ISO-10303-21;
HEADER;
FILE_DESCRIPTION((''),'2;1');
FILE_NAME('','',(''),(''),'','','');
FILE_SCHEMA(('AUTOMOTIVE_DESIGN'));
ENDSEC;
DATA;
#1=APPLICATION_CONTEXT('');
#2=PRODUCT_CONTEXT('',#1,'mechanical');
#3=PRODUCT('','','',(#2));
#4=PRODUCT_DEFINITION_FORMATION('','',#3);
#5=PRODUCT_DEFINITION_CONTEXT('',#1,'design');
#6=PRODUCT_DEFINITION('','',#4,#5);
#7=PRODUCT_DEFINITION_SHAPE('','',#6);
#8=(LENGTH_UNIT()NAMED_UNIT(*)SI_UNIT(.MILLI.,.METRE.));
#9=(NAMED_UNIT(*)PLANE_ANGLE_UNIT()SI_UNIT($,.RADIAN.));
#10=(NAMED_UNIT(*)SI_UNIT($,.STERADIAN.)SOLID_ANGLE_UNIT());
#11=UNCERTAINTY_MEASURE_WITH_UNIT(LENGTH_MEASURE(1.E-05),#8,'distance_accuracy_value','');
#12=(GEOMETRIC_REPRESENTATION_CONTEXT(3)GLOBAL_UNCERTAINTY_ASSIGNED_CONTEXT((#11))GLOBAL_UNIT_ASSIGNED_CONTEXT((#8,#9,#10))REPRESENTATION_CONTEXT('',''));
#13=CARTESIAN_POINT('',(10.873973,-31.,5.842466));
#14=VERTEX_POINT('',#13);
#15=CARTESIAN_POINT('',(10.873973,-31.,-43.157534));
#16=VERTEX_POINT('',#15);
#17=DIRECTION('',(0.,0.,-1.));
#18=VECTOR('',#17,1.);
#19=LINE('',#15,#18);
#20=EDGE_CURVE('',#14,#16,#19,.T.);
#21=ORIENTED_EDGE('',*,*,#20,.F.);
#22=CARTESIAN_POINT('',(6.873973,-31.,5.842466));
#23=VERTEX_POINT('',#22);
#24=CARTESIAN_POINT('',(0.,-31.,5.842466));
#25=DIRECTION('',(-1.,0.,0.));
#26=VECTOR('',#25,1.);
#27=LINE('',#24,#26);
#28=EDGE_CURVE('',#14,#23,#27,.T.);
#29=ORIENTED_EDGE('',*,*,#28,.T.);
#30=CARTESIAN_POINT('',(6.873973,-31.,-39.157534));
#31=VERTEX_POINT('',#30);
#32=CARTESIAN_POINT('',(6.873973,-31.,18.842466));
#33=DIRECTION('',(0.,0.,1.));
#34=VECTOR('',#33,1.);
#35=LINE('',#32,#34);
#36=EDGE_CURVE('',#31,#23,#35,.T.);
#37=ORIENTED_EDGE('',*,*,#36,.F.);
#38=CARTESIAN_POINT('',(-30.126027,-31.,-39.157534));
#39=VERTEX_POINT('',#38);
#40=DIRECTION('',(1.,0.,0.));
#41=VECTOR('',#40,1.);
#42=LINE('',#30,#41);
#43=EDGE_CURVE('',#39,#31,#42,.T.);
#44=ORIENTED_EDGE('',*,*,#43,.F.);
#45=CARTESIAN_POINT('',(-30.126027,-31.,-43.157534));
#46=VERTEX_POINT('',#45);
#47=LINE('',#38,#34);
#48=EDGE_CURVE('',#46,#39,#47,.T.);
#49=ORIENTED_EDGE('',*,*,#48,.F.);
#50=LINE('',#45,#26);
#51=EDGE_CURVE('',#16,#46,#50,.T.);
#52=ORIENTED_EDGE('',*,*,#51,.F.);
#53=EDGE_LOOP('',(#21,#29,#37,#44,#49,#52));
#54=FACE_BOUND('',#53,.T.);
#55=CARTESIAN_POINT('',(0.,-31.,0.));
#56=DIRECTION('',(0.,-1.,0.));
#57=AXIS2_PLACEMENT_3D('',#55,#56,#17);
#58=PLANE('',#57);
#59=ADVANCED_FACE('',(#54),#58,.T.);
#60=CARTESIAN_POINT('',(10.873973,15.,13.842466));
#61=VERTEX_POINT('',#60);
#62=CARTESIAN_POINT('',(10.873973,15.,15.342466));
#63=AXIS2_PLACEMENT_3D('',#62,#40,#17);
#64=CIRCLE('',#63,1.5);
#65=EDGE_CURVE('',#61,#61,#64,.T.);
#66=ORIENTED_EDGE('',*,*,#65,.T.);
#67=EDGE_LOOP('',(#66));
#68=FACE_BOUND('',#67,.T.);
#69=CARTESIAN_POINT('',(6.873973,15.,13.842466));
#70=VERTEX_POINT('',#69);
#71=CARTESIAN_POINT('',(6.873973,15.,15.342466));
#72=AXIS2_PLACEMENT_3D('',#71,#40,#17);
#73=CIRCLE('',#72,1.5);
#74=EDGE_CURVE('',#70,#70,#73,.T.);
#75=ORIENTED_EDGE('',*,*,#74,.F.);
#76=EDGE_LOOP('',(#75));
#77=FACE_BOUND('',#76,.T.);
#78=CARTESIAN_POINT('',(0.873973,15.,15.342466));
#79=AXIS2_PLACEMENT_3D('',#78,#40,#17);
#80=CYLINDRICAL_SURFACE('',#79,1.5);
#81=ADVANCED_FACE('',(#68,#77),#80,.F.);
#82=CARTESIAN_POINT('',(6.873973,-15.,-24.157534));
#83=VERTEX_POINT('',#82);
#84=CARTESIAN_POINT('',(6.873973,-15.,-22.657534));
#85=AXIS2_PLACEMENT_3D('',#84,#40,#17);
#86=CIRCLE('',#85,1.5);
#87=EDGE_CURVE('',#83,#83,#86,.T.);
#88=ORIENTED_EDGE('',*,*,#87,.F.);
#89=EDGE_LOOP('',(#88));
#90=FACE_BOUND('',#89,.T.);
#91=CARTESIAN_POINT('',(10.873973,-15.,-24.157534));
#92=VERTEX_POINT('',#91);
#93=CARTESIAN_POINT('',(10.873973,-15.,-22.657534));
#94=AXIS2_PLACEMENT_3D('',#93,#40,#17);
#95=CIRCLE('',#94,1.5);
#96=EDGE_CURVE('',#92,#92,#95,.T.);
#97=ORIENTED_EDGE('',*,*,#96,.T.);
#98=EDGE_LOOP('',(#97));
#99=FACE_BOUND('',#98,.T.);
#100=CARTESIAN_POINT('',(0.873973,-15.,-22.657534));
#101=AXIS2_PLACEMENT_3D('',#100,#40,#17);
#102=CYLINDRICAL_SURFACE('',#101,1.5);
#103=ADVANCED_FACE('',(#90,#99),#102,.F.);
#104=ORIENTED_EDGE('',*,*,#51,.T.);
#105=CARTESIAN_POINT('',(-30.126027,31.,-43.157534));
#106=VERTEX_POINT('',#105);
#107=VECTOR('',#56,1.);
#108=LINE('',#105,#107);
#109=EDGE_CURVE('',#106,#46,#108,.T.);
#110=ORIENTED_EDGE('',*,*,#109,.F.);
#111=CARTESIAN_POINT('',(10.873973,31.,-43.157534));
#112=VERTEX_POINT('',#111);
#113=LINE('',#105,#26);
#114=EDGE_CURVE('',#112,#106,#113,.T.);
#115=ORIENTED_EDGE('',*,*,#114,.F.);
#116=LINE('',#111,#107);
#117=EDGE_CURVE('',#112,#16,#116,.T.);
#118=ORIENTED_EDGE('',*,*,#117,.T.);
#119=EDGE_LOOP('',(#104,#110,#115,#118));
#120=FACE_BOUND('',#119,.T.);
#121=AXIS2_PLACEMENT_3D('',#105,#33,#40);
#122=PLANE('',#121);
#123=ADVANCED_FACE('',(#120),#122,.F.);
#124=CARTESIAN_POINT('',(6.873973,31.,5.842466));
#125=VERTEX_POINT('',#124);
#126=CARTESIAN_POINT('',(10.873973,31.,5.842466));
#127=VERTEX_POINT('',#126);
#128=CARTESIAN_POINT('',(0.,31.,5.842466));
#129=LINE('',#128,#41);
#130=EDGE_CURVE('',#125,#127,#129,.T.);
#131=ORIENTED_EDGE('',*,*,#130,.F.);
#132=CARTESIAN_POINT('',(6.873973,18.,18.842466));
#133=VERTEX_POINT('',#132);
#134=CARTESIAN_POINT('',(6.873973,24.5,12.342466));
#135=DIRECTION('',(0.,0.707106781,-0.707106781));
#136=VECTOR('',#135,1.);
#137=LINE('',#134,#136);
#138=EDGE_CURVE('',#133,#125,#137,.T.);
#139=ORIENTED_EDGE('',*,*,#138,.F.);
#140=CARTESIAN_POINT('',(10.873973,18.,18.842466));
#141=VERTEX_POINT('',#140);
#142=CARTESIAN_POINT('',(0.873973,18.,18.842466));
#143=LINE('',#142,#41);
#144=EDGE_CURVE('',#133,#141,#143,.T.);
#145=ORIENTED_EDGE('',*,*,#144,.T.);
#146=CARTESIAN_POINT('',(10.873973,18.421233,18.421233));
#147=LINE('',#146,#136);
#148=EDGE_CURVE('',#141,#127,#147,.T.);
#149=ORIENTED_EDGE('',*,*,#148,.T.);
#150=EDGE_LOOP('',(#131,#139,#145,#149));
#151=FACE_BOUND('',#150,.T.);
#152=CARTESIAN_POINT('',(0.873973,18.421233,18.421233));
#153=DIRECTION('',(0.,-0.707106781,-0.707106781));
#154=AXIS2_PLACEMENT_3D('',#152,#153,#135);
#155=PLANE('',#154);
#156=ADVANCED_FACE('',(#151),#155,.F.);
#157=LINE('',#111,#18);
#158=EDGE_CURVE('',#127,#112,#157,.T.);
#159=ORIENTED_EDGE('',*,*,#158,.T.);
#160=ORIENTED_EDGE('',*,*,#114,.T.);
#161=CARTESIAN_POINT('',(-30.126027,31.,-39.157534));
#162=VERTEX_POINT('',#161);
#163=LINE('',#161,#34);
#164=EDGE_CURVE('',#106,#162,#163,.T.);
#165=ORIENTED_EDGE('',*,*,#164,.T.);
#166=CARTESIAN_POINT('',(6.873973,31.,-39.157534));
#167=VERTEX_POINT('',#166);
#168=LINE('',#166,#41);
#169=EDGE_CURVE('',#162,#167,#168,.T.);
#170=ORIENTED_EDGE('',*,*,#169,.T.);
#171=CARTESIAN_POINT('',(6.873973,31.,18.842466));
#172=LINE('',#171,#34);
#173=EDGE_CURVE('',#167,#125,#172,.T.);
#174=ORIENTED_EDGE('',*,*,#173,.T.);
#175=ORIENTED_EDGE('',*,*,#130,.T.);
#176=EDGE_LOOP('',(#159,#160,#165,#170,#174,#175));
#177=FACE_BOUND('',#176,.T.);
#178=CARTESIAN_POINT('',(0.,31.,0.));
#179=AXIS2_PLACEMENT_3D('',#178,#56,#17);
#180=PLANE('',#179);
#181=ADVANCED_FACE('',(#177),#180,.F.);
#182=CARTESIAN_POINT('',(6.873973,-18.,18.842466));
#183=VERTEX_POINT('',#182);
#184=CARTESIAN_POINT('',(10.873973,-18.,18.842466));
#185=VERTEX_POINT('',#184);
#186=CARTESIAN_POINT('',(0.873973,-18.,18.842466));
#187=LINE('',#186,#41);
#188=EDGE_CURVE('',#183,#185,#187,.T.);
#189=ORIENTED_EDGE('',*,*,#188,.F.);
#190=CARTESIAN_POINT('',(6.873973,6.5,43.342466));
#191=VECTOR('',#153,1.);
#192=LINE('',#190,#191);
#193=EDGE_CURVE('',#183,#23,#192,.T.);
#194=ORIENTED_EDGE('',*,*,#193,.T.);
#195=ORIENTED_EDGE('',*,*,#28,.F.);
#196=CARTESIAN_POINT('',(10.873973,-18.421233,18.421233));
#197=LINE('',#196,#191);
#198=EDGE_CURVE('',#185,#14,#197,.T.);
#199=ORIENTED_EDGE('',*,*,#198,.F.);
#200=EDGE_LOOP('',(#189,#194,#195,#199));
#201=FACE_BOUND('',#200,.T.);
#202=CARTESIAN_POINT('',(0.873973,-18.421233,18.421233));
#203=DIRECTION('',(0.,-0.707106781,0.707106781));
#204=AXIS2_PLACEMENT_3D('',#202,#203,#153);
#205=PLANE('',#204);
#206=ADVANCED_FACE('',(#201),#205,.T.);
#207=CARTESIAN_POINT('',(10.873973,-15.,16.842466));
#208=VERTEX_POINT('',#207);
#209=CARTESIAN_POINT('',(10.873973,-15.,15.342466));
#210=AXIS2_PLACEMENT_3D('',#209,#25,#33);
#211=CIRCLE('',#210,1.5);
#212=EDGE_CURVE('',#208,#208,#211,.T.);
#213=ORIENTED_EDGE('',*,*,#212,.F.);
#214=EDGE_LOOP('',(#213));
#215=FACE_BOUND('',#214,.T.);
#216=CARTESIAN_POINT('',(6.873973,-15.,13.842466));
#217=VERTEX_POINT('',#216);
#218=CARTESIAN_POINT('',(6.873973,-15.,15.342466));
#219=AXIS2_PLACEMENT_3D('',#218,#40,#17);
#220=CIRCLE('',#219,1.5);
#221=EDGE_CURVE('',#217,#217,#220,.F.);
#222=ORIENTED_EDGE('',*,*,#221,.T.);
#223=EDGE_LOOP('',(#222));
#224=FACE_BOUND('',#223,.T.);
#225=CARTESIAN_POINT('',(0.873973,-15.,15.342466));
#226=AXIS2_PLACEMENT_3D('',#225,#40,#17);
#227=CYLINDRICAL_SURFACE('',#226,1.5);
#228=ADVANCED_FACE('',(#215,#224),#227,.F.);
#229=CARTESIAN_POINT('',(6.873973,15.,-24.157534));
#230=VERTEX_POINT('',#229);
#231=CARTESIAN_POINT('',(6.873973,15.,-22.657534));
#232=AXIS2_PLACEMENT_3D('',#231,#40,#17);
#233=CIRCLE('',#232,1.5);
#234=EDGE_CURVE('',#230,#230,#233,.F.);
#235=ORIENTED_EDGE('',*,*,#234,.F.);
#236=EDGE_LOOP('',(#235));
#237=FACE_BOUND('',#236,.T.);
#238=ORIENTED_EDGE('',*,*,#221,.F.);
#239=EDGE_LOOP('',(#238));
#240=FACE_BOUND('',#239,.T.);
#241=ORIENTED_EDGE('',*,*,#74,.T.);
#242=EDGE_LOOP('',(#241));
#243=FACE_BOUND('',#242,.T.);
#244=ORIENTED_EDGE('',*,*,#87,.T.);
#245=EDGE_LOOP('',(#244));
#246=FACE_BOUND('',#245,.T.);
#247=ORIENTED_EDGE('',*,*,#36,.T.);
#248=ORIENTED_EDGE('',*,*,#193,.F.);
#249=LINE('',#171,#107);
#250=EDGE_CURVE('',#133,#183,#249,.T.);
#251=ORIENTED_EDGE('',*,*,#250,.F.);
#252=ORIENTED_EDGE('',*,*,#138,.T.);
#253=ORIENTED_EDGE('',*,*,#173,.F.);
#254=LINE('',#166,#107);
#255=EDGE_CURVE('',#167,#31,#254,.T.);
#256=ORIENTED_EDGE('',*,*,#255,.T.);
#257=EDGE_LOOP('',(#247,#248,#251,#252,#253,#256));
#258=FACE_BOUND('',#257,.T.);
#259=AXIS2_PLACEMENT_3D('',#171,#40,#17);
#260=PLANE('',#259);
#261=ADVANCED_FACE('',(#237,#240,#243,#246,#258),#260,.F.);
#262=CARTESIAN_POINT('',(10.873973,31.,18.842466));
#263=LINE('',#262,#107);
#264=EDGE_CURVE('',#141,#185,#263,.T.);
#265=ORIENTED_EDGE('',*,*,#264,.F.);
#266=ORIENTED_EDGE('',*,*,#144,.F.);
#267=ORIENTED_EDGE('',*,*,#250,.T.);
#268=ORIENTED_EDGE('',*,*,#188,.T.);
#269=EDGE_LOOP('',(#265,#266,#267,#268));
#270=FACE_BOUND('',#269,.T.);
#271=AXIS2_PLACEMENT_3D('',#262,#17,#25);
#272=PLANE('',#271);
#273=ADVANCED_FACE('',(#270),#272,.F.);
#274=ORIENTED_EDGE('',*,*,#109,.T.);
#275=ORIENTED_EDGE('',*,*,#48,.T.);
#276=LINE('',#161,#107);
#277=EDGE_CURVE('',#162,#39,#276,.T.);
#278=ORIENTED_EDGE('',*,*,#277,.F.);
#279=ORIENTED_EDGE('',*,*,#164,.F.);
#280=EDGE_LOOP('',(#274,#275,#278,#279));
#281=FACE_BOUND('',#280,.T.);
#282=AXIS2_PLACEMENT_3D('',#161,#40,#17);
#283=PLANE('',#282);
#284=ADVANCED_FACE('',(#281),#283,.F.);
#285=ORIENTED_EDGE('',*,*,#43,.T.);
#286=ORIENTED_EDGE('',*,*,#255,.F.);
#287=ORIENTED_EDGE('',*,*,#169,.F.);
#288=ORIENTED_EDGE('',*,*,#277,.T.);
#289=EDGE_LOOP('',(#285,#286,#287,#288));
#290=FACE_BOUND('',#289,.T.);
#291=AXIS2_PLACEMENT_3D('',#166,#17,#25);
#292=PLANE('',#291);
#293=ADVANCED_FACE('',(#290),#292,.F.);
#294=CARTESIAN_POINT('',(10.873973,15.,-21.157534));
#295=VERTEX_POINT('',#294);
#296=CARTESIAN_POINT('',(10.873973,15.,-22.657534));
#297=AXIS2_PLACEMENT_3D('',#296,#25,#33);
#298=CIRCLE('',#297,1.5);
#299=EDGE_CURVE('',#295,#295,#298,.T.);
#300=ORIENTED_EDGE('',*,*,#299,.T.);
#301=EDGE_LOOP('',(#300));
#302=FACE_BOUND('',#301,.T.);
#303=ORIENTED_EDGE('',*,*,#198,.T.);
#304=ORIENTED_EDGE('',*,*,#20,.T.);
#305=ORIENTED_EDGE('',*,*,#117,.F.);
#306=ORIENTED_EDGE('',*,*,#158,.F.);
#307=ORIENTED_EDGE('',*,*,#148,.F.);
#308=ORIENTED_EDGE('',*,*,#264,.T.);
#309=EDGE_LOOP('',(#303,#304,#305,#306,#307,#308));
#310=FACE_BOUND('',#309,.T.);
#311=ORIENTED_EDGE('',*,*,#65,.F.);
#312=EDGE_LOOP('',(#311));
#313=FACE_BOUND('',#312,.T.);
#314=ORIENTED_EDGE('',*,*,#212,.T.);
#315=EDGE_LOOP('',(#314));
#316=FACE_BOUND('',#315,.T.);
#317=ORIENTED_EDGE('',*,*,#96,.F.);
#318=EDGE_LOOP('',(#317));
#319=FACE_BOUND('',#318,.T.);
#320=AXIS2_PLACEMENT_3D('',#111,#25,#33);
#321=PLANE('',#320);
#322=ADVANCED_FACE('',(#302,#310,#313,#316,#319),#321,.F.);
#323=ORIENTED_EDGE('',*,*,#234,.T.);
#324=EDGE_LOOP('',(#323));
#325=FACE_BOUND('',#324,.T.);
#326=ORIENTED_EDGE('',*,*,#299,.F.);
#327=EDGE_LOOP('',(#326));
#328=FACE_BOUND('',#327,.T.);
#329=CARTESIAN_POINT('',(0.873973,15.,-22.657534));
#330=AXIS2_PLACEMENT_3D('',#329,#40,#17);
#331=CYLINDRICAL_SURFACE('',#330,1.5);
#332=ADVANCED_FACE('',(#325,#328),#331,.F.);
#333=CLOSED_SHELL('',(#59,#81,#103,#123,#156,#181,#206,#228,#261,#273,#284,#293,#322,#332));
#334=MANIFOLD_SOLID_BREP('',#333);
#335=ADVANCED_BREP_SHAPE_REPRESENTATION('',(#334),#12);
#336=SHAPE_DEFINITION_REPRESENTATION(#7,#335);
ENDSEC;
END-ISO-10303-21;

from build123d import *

# Parameters (mm, degrees)
EXTRUDE_1_DEPTH     = 31
SKETCH_2_R          = 1.5
CUT_EXTRUDE_2_DEPTH = 10


with BuildPart() as part:
    # 草图1 → 凸台-拉伸1 (new, symmetric)
    with BuildSketch(Plane(origin=(0, 0, 0), x_dir=(1, 0, 0), z_dir=(0, 1, 0))):
        Polygon((-30.126027397, 43.157534247), (10.873972603, 43.157534247), (10.873972603, -18.842465753), (6.873972603, -18.842465753), (6.873972603, 39.157534247), (-30.126027397, 39.157534247), align=None)
    extrude(amount=EXTRUDE_1_DEPTH, both=True)

    # 草图2 → 切除-拉伸2 (cut)
    with BuildSketch(Plane(origin=(10.873972603, 0, 0), x_dir=(0, 0, -1), z_dir=(1, 0, 0))):
        Polygon((-5.842465753, 31), (-18.842465753, 31), (-18.842465753, 18), align=None)
        with Locations((22.657534247, -15)):
            Circle(SKETCH_2_R)
        Polygon((-5.842465753, -31), (-18.842465753, -18), (-18.842465753, -31), align=None)
        with Locations((22.657534247, 15)):
            Circle(SKETCH_2_R)
        with Locations((-15.342465753, 15)):
            Circle(SKETCH_2_R)
        with Locations((-15.342465753, -15)):
            Circle(SKETCH_2_R)
    extrude(amount=-CUT_EXTRUDE_2_DEPTH, mode=Mode.SUBTRACT)


solid = part.part
